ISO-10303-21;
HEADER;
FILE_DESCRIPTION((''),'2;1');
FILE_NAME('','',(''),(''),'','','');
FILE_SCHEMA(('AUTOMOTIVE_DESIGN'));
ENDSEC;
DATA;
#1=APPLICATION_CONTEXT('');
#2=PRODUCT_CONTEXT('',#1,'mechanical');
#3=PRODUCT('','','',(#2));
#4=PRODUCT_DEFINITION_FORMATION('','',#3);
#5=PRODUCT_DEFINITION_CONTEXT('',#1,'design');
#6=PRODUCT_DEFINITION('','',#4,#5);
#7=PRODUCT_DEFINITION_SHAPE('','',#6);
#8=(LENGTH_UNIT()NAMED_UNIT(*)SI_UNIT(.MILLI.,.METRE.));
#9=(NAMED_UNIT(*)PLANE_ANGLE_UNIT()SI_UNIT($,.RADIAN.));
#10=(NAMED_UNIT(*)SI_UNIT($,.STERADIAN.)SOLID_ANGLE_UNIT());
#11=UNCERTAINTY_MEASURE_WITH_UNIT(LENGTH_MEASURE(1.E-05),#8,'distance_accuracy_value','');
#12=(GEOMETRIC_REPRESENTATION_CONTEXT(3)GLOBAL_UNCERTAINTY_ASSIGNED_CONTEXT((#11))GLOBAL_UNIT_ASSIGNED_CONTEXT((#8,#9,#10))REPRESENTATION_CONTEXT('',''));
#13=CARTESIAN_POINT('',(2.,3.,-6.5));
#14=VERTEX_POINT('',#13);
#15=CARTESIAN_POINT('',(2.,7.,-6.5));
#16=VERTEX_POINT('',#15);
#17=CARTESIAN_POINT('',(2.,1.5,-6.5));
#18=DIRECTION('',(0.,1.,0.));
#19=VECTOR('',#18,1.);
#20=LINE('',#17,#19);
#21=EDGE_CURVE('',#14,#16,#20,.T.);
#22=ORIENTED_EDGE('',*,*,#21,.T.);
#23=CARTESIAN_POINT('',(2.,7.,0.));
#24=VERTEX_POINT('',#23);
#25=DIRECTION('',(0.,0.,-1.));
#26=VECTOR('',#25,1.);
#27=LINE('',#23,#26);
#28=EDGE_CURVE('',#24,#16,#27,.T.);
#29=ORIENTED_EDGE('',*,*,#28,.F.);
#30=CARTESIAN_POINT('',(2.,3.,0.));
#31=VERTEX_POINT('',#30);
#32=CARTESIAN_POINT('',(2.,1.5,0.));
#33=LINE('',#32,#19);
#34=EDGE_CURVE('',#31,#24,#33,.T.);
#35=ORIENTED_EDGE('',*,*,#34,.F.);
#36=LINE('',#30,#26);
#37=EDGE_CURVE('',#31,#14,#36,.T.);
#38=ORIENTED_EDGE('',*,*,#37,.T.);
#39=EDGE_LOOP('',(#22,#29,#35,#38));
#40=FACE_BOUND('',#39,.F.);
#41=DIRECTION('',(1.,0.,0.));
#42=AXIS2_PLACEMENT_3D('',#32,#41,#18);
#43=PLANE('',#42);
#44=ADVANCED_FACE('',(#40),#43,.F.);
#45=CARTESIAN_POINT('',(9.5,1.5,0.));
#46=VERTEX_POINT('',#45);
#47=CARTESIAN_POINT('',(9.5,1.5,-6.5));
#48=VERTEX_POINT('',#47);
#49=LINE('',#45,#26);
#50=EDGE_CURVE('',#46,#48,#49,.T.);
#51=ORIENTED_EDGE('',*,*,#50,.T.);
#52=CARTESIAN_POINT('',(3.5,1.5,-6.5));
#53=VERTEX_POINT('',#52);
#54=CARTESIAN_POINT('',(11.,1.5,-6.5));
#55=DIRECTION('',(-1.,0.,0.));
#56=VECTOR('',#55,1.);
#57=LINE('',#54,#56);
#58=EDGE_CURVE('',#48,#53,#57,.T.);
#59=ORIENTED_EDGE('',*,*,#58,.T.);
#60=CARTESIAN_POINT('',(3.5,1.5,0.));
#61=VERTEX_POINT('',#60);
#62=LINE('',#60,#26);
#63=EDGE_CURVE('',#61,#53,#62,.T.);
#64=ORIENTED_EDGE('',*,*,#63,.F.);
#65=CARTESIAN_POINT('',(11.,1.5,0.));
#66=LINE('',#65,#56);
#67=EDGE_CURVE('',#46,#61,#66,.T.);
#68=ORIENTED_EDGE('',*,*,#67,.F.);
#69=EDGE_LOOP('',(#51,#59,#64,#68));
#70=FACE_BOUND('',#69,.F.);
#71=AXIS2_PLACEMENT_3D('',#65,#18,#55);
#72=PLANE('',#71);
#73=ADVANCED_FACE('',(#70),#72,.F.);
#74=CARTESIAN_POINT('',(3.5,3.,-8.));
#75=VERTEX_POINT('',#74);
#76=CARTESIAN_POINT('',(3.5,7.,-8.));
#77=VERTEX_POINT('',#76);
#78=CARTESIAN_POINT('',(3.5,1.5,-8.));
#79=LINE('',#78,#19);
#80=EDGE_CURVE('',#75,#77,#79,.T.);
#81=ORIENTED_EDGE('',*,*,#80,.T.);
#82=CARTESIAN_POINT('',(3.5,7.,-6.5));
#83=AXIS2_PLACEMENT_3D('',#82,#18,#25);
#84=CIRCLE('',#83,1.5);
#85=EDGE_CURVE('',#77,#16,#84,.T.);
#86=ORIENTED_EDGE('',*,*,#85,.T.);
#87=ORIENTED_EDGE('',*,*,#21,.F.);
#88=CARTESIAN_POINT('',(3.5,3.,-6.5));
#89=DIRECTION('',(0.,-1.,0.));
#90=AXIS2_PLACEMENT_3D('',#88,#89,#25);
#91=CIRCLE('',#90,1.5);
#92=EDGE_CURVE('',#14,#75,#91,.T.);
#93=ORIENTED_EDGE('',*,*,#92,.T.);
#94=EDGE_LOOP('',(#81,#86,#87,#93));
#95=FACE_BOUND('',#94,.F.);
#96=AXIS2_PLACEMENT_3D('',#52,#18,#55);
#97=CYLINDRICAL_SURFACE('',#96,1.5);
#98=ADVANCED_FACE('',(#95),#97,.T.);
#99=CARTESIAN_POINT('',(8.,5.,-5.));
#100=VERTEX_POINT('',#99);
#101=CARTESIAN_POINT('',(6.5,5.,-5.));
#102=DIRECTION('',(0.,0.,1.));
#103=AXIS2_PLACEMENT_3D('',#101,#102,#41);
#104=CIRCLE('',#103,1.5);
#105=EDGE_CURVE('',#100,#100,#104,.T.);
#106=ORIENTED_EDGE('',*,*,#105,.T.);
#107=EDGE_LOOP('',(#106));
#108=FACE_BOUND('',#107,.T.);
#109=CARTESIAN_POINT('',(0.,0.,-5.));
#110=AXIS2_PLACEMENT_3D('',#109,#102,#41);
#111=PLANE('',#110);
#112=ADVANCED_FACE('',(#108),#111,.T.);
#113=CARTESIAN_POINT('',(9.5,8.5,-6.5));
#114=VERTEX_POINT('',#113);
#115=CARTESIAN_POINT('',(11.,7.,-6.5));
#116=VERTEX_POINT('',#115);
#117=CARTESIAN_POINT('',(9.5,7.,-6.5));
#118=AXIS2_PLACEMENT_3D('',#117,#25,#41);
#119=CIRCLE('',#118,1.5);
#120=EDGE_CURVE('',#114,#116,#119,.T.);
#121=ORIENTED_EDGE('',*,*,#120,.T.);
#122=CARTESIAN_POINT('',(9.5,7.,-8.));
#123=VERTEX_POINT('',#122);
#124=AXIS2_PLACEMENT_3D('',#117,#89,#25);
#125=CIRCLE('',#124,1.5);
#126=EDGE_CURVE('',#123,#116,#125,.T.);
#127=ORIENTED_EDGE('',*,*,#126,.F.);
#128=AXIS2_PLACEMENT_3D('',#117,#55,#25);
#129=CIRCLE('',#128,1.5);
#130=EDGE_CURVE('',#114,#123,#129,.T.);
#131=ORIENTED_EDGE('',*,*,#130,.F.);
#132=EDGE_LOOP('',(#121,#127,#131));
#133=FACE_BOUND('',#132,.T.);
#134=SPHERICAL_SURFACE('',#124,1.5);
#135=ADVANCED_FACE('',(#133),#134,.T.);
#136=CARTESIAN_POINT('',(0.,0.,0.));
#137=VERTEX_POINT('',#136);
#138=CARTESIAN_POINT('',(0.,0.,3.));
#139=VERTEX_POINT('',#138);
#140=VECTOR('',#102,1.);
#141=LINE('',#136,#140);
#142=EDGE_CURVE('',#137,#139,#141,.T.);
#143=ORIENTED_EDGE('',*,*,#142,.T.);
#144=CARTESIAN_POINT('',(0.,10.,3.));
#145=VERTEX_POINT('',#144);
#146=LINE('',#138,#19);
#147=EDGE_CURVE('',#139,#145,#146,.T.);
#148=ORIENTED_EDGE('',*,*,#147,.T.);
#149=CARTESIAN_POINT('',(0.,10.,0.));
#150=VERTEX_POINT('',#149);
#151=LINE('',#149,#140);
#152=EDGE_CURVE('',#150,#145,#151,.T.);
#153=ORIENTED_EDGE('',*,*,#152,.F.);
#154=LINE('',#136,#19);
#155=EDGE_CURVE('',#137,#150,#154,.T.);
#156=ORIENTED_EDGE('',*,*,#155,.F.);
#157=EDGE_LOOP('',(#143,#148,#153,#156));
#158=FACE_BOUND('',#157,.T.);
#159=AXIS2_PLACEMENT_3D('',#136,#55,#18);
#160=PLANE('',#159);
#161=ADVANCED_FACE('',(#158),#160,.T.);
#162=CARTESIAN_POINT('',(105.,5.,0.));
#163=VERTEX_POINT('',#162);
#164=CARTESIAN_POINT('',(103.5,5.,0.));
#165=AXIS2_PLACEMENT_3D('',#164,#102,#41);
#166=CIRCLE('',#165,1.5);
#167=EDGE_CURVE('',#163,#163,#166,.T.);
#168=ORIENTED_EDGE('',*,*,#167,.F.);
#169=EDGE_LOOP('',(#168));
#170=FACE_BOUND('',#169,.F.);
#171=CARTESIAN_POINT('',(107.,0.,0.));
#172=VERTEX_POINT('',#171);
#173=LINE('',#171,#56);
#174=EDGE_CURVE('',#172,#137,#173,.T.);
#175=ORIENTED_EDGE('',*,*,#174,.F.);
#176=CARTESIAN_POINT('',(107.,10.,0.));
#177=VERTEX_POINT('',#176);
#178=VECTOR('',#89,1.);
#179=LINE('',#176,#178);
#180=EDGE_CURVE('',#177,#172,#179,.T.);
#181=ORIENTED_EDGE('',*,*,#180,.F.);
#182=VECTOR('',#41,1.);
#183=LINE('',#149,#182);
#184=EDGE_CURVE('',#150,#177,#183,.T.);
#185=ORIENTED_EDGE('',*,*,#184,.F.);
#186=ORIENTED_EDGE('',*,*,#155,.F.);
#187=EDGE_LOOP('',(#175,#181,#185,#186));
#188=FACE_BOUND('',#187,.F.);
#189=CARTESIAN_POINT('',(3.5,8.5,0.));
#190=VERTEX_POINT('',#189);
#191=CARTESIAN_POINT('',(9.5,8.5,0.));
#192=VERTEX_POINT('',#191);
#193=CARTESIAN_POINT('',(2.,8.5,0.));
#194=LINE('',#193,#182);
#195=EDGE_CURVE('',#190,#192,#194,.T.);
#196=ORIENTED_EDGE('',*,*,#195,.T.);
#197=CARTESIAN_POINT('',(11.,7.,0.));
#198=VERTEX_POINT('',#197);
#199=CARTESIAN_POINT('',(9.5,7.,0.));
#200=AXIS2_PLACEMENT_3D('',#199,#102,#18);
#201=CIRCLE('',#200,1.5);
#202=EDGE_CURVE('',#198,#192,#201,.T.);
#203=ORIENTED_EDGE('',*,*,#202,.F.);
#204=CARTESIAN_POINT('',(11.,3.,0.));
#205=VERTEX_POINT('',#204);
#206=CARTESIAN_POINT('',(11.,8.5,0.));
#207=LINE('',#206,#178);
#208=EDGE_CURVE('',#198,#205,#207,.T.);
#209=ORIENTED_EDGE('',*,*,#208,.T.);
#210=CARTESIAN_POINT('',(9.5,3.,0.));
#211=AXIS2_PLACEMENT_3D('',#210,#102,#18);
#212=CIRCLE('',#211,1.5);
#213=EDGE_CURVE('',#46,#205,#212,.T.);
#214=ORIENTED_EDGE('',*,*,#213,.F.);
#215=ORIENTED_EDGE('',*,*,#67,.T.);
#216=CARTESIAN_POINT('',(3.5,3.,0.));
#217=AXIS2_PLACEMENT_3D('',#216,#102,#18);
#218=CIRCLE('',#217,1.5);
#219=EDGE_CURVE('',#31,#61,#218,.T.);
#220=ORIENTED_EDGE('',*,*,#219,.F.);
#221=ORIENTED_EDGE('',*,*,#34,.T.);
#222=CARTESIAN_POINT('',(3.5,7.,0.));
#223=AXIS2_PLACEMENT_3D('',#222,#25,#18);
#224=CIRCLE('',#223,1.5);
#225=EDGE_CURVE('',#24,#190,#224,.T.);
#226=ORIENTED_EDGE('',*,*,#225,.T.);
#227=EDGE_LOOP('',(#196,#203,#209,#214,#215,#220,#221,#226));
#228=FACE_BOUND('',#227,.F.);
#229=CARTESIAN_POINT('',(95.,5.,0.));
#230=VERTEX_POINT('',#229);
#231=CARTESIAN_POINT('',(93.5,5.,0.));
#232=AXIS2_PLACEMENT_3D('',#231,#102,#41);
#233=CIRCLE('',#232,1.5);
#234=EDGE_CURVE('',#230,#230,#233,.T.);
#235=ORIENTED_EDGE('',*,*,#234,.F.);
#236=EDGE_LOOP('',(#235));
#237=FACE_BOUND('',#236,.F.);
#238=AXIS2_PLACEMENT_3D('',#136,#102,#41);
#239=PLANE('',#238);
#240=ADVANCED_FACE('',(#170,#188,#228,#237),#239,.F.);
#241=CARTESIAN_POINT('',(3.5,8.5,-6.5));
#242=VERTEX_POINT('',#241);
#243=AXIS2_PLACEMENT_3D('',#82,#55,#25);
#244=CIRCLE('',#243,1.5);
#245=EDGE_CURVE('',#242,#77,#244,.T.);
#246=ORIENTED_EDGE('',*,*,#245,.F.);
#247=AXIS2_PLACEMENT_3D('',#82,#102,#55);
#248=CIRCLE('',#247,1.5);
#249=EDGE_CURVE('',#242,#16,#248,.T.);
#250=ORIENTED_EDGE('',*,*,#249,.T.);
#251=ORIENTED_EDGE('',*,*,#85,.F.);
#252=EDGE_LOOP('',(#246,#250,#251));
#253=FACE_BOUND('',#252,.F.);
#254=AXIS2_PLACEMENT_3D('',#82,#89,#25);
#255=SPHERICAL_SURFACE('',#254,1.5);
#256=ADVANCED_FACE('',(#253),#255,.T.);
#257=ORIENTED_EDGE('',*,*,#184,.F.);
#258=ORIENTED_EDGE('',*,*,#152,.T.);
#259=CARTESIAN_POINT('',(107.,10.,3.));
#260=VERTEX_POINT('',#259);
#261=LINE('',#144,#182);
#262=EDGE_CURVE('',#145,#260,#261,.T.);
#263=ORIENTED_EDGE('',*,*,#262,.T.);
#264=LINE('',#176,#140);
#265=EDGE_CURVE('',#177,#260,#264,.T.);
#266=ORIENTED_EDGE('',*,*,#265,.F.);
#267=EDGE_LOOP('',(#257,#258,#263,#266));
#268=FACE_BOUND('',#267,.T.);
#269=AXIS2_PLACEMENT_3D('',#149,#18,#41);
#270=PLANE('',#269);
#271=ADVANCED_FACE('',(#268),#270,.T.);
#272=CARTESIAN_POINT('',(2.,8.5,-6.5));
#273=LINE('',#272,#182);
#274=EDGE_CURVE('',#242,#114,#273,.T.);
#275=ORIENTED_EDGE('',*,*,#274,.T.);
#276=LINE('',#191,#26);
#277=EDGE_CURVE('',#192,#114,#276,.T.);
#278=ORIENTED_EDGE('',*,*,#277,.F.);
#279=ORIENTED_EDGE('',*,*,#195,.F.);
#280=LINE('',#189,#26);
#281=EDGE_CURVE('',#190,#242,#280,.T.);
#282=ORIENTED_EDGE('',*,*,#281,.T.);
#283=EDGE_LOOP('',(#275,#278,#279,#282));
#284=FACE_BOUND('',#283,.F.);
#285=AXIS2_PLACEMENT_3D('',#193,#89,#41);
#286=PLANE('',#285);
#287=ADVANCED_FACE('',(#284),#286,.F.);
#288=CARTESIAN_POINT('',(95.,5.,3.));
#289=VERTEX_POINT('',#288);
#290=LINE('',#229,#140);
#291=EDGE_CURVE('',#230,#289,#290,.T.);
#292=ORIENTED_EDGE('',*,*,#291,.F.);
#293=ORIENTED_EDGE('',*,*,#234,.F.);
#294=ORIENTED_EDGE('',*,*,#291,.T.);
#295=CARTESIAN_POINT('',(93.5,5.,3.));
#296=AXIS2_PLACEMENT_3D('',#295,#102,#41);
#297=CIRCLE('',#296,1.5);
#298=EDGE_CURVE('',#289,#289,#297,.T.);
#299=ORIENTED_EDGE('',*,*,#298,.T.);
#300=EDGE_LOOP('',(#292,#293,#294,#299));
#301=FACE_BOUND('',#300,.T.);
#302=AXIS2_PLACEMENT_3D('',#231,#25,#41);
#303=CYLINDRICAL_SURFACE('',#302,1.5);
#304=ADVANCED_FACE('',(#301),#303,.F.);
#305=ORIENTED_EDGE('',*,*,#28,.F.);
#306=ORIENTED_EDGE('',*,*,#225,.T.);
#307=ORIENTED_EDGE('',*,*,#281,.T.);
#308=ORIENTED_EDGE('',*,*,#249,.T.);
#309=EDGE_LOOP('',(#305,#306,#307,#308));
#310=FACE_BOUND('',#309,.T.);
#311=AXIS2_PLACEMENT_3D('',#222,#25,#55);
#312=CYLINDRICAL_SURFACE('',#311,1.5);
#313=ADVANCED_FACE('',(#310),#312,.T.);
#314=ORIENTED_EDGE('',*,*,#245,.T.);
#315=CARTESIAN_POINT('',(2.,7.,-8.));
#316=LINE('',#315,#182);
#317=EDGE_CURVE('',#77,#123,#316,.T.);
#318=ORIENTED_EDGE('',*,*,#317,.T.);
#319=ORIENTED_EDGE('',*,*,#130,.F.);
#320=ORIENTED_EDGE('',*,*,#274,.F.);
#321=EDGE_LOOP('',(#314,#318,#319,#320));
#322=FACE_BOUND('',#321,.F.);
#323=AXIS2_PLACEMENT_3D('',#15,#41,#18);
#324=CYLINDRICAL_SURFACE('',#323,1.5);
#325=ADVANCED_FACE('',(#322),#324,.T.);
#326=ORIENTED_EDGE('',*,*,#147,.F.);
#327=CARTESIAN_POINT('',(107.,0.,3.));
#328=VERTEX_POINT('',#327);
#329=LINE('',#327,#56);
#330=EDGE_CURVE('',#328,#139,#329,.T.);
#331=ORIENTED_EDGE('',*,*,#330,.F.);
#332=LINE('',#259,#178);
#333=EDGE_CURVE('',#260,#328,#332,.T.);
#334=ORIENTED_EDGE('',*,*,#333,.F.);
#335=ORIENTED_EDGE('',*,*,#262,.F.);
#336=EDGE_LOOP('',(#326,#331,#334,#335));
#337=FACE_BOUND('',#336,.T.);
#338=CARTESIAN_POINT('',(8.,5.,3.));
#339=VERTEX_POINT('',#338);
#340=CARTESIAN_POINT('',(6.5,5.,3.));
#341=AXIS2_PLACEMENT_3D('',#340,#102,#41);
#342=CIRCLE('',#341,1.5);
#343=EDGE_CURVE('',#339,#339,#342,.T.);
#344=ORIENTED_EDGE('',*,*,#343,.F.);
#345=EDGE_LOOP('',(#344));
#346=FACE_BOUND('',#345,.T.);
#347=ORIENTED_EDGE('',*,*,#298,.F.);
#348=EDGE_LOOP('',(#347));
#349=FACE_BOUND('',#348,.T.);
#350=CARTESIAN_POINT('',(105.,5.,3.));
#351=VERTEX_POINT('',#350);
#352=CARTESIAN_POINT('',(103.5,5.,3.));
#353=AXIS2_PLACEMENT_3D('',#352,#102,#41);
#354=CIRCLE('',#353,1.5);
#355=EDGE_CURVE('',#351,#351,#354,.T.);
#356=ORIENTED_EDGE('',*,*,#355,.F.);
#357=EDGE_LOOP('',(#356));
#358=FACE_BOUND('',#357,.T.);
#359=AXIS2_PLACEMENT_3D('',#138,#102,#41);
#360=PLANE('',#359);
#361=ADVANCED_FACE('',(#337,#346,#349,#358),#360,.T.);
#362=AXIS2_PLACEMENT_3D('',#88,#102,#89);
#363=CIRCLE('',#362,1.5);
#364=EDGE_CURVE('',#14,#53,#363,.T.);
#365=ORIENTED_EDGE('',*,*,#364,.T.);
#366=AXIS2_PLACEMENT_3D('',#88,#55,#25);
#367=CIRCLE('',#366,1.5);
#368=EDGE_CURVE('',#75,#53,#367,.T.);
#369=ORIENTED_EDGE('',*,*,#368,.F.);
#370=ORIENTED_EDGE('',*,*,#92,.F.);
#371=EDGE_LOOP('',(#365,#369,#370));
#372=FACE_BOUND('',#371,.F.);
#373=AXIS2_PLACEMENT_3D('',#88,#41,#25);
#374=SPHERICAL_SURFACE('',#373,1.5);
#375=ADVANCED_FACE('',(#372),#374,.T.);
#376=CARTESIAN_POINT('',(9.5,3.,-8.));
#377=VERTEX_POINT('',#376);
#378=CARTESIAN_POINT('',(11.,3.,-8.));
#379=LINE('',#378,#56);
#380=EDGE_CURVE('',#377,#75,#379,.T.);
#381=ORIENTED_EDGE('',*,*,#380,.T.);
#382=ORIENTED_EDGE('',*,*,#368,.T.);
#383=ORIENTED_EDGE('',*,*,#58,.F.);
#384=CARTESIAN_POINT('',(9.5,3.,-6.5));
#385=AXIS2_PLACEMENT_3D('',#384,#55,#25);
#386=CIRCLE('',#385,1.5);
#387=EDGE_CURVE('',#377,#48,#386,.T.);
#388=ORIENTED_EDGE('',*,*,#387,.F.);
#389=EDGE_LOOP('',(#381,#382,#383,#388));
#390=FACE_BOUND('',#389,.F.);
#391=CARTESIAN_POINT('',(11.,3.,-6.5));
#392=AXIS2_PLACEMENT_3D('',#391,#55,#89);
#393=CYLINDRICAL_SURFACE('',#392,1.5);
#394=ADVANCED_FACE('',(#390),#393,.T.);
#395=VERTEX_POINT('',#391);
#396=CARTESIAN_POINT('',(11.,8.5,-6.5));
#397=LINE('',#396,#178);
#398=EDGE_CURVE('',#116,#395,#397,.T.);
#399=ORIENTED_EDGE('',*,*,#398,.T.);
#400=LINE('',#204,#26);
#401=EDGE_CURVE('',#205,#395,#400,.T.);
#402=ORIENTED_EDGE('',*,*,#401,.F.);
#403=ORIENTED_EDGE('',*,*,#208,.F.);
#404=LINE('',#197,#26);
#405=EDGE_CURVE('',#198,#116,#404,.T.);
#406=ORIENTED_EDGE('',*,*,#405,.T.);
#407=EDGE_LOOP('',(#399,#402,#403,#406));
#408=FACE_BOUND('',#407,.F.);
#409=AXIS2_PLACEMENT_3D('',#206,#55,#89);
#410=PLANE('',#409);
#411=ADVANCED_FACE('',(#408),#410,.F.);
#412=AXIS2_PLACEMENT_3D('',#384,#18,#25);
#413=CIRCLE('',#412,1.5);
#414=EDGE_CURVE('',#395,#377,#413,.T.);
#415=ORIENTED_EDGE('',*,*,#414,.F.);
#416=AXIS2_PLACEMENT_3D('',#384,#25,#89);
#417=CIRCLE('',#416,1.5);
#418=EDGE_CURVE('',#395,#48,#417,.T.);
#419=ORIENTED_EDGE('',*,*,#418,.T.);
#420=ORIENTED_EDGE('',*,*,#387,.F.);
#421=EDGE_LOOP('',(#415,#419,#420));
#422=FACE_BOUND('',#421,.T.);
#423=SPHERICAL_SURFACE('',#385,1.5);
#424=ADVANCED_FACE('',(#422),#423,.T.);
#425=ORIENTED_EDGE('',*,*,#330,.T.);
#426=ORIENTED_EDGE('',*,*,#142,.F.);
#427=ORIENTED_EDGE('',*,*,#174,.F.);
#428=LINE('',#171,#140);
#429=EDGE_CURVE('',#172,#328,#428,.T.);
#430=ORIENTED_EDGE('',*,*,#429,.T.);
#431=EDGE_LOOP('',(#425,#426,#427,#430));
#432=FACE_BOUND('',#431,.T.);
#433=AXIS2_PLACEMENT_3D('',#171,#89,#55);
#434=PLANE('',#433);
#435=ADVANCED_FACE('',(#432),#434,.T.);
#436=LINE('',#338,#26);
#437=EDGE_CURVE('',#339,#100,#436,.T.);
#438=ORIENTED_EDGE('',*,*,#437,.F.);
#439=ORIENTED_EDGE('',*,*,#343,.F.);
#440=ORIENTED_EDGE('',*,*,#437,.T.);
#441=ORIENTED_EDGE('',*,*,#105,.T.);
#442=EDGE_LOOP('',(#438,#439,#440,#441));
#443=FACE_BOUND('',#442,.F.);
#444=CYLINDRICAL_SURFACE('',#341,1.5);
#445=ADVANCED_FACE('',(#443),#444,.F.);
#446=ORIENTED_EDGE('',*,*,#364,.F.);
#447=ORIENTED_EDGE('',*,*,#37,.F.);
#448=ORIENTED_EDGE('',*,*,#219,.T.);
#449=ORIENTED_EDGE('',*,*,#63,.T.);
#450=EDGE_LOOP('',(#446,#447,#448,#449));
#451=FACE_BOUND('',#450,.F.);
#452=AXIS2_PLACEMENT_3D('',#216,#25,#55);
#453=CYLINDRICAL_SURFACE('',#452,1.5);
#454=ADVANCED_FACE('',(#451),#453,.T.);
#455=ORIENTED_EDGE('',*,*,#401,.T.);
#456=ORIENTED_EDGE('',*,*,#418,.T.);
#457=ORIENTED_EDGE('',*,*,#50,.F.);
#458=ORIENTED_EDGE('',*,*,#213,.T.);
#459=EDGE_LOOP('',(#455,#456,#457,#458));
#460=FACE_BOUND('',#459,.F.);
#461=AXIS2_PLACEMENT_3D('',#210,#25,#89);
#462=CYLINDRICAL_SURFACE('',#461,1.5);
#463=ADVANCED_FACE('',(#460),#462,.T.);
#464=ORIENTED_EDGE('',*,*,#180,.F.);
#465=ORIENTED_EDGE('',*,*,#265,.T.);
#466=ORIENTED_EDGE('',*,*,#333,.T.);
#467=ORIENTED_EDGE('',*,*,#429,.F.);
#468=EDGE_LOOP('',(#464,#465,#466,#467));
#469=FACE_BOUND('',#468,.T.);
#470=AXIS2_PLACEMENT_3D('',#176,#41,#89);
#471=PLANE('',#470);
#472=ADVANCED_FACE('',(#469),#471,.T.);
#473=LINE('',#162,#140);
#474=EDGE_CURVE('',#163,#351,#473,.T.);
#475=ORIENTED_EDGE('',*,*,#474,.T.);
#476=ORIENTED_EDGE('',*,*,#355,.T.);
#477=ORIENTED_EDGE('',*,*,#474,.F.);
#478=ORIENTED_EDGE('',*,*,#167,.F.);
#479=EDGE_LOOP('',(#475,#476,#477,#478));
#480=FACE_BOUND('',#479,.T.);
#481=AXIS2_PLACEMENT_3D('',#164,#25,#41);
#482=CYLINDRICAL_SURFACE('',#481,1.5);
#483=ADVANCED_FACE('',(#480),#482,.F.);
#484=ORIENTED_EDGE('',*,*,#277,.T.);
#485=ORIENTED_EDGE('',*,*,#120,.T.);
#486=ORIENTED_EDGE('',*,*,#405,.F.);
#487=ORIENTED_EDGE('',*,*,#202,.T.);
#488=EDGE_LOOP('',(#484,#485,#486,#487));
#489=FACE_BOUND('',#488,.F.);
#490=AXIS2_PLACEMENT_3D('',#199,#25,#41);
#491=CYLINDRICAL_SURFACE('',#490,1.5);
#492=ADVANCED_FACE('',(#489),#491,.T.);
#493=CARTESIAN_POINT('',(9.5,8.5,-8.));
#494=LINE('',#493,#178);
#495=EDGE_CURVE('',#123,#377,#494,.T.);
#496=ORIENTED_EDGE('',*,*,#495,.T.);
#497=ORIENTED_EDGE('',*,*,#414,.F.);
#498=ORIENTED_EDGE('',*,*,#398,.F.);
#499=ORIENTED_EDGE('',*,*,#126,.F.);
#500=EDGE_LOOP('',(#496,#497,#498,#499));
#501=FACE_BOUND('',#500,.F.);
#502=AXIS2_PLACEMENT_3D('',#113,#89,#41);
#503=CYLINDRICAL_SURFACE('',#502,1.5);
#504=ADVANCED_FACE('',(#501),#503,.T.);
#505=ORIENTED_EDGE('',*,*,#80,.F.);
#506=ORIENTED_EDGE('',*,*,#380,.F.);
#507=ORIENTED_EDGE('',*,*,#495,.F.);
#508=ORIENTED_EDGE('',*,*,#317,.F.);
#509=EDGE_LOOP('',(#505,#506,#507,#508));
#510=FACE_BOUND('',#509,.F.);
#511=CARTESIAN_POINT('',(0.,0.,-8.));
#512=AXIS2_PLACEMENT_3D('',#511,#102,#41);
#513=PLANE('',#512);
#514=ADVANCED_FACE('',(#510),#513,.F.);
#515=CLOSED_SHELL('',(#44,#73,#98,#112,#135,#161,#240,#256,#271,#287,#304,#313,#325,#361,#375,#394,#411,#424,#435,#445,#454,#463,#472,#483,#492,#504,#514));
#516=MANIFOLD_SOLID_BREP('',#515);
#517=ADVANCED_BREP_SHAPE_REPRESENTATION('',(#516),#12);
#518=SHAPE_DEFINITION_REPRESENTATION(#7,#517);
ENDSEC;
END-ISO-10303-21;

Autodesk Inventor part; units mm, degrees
ref_plane "YZ Plane" through (0, 0, 0) normal (1, 0, 0) x (0, 1, 0)
ref_plane "XZ Plane" through (0, 0, 0) normal (0, 1, 0) x (-1, 0, 0)
ref_plane "XY Plane" through (0, 0, 0) normal (0, 0, 1) x (1, 0, 0)
sketch "sketch" plane through (0, 0, 0) normal (0, 0, 1) x (1, 0, 0)
  line L0 (-21.4, 0) -> (128.4, 0) construction
  line L1 (0, -2) -> (0, 12) construction
  line L2 (0, 10) -> (107, 10)
  line L3 (107, 10) -> (107, 0)
  line L4 (107, 0) -> (0, 0)
  line L5 (0, 0) -> (0, 10)
  line L6 (2, 8.5) -> (11, 8.5)
  line L7 (11, 8.5) -> (11, 1.5)
  line L8 (11, 1.5) -> (2, 1.5)
  line L9 (2, 1.5) -> (2, 8.5)
  circle A0 centre (93.5, 5) radius 1.5
  circle A1 centre (103.5, 5) radius 1.5
  dimension "d0" = 10
  dimension "d1" = 107
  dimension "d2" = 9
  dimension "d3" = 7
  dimension "d4" = 1.5
  dimension "d5" = 2
  dimension "d6" = 3
  dimension "d7" = 3
  dimension "d8" = 3.5
  dimension "d9" = 10
  dimension "d10" = 5
  dimension "d11" = 5
extrude "body" add sketch "sketch" along normal blind 3 contours L2 L3 L4 L5 | L6 L7 L8 L9
extrude "button" add sketch "sketch" against normal blind 8 contours L6 L7 L8 L9
sketch "button_sketch" plane through (0, 0, 3) normal (0, 0, 1) x (1, 0, 0)
  line L0 (11, 1.5) -> (2, 1.5) projected
  line L1 (11, 8.5) -> (2, 8.5) projected
  line L2 (2, 8.5) -> (2, 1.5) projected
  line L3 (11, 1.5) -> (11, 8.5) projected
  circle A0 centre (6.5, 5) radius 1.5
  line L4 (107, 10) -> (0, 10) projected
  point P0 (0, 0)
  dimension "d16" = 3
  dimension "d17" = 5
  dimension "d18" = 4.5
extrude "bolt" cut sketch "button_sketch" against normal blind 8 contours A0
fillet "모깎기1" radius 1.5 8 edges at (6.5, 1.5, -8) (2, 5, -8) (11, 5, -8) (6.5, 8.5, -8) (11, 1.5, -4) (2, 1.5, -4) (2, 8.5, -4) (11, 8.5, -4)
equation "\"d4\" = -0.5 * d3 + 0.5 * d0"
equation "\"d17\" = 0.5 * d0"
equation "\"d18\" = 0.5 * d2"
properties part number "button_bar"
